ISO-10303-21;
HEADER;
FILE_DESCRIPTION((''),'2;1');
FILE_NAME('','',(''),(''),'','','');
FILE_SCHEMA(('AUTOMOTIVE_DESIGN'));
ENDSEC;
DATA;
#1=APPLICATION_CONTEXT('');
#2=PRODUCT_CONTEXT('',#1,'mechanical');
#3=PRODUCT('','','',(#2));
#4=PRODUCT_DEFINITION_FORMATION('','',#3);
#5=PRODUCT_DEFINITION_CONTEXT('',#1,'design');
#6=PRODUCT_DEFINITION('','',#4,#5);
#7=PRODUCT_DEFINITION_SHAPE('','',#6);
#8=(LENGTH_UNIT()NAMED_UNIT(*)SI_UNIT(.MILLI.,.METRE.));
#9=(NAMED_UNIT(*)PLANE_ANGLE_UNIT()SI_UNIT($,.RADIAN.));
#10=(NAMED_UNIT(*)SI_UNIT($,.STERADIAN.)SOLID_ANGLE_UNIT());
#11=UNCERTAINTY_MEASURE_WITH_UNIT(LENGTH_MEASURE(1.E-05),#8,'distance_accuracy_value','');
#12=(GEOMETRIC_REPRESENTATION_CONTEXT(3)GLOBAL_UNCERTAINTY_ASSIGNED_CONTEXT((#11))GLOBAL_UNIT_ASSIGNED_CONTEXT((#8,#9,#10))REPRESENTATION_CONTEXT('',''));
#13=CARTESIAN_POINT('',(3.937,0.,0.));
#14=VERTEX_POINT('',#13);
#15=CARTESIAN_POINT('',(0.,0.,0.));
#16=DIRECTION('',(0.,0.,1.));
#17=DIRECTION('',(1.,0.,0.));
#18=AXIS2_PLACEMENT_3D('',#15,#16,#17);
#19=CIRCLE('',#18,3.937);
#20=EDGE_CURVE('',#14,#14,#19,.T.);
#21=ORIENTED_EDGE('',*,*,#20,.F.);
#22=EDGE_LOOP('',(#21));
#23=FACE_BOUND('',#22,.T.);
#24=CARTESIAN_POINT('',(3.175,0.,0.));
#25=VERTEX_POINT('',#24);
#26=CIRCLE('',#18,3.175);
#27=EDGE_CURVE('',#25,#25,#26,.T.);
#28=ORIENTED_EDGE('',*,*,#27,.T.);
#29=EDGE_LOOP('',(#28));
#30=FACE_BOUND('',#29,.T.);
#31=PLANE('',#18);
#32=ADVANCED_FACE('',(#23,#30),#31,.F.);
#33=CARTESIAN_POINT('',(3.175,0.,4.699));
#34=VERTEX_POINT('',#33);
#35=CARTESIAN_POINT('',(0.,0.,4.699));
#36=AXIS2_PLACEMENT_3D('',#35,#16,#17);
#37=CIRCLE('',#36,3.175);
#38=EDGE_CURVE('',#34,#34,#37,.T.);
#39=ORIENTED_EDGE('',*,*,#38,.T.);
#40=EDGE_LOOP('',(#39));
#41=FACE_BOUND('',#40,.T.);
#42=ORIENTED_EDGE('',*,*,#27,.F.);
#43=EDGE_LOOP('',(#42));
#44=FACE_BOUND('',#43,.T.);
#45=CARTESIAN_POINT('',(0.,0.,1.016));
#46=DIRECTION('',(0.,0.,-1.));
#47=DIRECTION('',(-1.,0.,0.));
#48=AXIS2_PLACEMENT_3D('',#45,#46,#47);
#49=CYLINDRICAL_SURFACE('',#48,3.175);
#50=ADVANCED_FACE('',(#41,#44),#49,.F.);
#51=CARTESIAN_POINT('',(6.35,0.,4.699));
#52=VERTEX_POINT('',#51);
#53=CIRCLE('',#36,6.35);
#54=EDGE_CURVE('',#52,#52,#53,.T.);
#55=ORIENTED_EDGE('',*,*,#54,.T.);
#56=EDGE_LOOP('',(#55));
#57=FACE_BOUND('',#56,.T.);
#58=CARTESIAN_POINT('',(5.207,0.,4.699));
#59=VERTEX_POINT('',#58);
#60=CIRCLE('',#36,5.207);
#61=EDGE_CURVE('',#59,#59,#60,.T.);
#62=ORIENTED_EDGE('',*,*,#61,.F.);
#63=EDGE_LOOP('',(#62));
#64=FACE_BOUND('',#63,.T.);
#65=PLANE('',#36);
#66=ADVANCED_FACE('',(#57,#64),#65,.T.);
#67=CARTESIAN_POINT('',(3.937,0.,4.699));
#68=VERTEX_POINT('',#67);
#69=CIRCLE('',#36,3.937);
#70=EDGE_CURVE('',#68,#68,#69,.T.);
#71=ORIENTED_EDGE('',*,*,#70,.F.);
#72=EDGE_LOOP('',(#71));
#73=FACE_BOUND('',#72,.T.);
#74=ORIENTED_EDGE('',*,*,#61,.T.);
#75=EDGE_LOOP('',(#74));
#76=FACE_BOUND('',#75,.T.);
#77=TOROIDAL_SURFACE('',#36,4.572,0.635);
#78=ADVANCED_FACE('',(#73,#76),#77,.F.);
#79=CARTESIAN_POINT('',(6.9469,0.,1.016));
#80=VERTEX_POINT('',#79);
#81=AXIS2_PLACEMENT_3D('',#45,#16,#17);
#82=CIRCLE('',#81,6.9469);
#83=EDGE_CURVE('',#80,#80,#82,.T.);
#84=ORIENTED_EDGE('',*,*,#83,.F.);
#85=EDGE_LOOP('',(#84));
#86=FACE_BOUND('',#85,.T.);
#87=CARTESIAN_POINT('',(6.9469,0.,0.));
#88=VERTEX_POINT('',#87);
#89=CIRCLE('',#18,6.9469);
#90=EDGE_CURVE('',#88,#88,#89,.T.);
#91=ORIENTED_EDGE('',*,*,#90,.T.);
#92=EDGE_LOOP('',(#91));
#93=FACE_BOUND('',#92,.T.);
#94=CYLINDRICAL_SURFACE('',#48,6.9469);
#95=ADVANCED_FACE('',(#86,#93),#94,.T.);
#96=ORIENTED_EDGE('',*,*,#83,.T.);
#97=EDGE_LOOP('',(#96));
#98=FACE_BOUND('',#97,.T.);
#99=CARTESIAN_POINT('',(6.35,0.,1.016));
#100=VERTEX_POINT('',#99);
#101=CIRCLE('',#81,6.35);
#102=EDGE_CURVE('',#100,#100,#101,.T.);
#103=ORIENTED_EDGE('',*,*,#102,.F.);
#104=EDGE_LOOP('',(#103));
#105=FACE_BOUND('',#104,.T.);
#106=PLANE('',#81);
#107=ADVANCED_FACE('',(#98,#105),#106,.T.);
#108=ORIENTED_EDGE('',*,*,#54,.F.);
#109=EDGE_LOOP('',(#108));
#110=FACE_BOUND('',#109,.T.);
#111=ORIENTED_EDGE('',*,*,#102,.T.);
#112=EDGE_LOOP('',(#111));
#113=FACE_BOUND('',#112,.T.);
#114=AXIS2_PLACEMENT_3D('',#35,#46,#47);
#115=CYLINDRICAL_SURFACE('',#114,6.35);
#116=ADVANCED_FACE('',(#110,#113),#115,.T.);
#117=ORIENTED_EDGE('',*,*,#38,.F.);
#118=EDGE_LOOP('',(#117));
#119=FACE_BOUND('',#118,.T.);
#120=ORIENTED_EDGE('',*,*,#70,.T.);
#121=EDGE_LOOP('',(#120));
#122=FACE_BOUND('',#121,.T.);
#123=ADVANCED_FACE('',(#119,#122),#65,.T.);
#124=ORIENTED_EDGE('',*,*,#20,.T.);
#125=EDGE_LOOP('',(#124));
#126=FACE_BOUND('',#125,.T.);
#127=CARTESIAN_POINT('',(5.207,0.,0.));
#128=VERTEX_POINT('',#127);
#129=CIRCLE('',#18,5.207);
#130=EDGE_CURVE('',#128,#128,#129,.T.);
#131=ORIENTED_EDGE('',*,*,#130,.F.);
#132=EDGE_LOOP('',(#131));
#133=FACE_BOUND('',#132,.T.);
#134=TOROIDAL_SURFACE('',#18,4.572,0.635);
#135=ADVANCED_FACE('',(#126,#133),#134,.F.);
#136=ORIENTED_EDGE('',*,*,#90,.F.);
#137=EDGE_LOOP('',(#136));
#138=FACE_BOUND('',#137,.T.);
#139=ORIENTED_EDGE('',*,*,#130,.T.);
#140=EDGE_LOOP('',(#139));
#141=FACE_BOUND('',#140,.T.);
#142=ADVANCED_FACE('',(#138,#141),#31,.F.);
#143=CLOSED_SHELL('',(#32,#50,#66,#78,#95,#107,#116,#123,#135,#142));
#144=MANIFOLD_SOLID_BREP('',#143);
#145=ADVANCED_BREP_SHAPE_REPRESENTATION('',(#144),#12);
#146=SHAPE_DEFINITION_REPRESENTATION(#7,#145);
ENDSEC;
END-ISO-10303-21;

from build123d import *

# Parameters (mm, degrees)
SKETCH1_R           = 6.9469
SKETCH1_R_2         = 3.175
BOSS_EXTRUDE1_DEPTH = 1.016
SKETCH2_R           = 6.35
SKETCH2_R_2         = 3.175
BOSS_EXTRUDE2_DEPTH = 3.683


with BuildPart() as part:
    # Sketch1 → Boss-Extrude1 (new body)
    with BuildSketch(Plane.XY):
        Circle(SKETCH1_R)
        Circle(SKETCH1_R_2, mode=Mode.SUBTRACT)
    extrude(amount=BOSS_EXTRUDE1_DEPTH)

    # Sketch2 → Boss-Extrude2 (add)
    with BuildSketch(Plane.XY.offset(1.016)):
        Circle(SKETCH2_R)
        Circle(SKETCH2_R_2, mode=Mode.SUBTRACT)
    extrude(amount=BOSS_EXTRUDE2_DEPTH)

    # Sketch7 → Cut-Revolve2 (revolve, cut)
    with BuildSketch(Plane(origin=(0, 0, 0), x_dir=(0, 0, -1), z_dir=(1, 0, 0))):
        with BuildLine():
            Line((-4.699, 5.207), (-4.699, 3.937))
            ThreePointArc((-4.699, 3.937), (-4.064, 4.572), (-4.699, 5.207))
        make_face()
        with BuildLine():
            Line((0, 5.207), (0, 3.937))
            ThreePointArc((0, 3.937), (-0.635, 4.572), (0, 5.207))
        make_face()
    revolve(axis=Axis((0, 0, 4.699), (0, 0, -1)), mode=Mode.SUBTRACT)


solid = part.part
